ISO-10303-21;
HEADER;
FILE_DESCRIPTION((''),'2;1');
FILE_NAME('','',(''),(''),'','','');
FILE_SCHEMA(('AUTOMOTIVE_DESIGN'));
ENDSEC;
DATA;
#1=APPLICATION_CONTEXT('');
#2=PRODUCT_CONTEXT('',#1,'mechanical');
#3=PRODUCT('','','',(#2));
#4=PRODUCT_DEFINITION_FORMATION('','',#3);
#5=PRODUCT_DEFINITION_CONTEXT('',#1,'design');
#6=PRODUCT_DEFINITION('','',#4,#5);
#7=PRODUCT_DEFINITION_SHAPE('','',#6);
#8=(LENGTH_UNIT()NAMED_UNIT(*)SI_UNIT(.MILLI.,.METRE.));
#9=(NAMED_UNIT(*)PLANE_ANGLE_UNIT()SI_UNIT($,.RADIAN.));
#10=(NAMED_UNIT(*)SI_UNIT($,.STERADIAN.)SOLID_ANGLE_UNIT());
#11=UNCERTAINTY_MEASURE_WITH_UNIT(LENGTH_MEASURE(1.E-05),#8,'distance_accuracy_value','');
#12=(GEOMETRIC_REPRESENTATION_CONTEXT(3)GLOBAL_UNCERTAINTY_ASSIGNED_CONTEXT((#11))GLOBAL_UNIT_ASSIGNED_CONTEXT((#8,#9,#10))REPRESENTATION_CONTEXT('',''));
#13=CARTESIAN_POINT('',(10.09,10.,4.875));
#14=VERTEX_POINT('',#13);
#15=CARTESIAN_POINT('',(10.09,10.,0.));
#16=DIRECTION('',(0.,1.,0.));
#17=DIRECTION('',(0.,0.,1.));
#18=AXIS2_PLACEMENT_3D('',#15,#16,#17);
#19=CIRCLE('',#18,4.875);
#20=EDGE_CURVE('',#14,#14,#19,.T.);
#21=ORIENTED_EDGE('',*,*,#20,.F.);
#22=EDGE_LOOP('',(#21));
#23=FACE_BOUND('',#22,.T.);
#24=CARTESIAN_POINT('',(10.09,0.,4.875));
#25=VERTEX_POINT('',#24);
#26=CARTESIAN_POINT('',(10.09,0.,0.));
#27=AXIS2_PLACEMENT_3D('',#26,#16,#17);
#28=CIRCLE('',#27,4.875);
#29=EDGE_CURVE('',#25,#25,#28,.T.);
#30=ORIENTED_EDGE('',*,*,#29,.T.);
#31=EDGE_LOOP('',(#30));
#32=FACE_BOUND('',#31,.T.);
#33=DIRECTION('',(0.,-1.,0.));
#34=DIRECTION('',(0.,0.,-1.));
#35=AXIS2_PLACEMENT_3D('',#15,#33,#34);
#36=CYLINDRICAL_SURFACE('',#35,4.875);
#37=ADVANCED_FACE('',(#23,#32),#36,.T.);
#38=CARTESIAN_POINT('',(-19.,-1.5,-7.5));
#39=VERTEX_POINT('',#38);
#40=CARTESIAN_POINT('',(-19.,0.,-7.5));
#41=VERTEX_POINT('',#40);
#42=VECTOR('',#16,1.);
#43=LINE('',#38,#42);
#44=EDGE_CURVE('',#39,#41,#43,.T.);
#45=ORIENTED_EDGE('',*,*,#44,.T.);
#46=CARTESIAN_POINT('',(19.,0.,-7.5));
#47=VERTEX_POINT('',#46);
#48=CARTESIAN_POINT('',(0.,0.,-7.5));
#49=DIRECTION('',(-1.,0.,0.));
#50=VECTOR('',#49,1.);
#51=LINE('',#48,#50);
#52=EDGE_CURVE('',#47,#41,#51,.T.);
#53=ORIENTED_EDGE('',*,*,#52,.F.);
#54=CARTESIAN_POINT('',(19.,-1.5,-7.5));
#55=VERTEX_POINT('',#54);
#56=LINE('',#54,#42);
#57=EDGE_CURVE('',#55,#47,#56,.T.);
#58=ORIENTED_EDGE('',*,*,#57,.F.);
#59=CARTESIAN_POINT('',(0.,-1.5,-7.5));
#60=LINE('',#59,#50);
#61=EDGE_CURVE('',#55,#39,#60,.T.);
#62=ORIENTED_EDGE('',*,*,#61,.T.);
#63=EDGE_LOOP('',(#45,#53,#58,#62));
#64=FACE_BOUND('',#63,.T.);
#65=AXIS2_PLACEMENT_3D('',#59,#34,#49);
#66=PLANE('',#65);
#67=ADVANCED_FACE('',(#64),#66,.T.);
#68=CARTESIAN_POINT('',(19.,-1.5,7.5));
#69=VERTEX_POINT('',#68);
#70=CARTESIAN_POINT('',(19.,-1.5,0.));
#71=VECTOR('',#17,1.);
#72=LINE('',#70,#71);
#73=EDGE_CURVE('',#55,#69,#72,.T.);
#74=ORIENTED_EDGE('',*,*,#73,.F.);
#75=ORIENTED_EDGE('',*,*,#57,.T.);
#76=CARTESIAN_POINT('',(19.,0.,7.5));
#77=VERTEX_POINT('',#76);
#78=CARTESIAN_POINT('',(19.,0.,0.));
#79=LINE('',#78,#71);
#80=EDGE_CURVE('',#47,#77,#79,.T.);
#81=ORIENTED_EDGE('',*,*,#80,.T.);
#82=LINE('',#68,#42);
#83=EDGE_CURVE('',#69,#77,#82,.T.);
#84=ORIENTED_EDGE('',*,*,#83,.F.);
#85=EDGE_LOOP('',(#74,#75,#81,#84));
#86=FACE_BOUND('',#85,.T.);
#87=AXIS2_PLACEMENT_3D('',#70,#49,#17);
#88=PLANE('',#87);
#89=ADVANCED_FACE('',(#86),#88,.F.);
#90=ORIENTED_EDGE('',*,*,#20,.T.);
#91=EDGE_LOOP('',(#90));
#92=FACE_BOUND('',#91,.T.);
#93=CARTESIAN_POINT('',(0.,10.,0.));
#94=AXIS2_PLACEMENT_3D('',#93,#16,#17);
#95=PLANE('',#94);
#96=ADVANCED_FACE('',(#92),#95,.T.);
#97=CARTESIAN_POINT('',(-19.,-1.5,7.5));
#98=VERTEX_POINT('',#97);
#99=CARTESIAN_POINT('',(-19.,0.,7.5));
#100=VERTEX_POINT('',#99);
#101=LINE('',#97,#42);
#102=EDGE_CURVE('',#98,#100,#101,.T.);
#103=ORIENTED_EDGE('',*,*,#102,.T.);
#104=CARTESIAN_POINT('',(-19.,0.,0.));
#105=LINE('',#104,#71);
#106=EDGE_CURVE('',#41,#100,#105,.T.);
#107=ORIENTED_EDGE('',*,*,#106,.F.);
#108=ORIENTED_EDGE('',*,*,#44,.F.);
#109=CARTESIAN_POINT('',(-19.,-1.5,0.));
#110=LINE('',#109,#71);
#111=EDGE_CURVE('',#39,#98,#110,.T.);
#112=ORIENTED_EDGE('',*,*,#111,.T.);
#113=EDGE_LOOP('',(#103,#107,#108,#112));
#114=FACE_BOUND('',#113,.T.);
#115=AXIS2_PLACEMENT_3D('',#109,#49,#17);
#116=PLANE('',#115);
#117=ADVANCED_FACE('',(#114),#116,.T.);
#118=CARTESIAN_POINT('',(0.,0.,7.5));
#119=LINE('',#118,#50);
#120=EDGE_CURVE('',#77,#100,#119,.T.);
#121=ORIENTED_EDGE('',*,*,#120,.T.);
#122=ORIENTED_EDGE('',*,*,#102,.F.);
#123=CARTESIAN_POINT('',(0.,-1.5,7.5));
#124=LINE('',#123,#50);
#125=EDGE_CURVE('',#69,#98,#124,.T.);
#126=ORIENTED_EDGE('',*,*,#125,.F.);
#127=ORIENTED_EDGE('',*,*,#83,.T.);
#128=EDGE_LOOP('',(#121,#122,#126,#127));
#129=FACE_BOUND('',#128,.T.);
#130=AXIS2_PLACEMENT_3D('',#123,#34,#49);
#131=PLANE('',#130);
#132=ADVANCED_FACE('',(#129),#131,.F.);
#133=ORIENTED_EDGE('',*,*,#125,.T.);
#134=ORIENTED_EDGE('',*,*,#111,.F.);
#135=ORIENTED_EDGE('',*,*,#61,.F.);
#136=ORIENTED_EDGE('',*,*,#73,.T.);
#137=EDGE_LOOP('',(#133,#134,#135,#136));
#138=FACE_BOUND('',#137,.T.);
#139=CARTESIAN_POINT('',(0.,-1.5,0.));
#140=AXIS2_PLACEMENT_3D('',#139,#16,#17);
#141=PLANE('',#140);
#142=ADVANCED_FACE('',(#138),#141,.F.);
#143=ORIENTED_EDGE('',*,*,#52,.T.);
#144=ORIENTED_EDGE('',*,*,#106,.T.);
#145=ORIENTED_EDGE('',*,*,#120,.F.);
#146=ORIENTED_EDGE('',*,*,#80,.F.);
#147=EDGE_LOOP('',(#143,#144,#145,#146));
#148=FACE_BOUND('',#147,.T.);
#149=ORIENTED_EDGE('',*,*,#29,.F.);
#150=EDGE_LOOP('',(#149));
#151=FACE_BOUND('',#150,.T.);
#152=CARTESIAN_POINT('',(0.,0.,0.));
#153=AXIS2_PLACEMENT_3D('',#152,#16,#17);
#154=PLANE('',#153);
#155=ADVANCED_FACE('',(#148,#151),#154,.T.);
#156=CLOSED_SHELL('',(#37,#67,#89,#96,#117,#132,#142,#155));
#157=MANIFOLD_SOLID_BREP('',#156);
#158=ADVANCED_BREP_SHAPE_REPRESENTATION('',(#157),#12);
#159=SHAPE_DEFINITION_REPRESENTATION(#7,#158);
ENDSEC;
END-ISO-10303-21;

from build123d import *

# Parameters (mm, degrees)
SKETCH1_W           = 38
SKETCH1_H           = 15
BOSS_EXTRUDE1_DEPTH = 1.5
SKETCH1_3_R         = 4.875
BOSS_EXTRUDE2_DEPTH = 10


with BuildPart() as part:
    # Sketch1 → Boss-Extrude1 (new body)
    with BuildSketch(Plane(origin=(0, 0, 0), x_dir=(1, 0, 0), z_dir=(0, 1, 0))):
        Rectangle(SKETCH1_W, SKETCH1_H)
    extrude(amount=-BOSS_EXTRUDE1_DEPTH)

    # Sketch1<3> → Boss-Extrude2 (add)
    with BuildSketch(Plane(origin=(0, 0, 0), x_dir=(1, 0, 0), z_dir=(0, 1, 0))):
        with Locations((10.09, 0)):
            Circle(SKETCH1_3_R)
    extrude(amount=BOSS_EXTRUDE2_DEPTH)


solid = part.part
